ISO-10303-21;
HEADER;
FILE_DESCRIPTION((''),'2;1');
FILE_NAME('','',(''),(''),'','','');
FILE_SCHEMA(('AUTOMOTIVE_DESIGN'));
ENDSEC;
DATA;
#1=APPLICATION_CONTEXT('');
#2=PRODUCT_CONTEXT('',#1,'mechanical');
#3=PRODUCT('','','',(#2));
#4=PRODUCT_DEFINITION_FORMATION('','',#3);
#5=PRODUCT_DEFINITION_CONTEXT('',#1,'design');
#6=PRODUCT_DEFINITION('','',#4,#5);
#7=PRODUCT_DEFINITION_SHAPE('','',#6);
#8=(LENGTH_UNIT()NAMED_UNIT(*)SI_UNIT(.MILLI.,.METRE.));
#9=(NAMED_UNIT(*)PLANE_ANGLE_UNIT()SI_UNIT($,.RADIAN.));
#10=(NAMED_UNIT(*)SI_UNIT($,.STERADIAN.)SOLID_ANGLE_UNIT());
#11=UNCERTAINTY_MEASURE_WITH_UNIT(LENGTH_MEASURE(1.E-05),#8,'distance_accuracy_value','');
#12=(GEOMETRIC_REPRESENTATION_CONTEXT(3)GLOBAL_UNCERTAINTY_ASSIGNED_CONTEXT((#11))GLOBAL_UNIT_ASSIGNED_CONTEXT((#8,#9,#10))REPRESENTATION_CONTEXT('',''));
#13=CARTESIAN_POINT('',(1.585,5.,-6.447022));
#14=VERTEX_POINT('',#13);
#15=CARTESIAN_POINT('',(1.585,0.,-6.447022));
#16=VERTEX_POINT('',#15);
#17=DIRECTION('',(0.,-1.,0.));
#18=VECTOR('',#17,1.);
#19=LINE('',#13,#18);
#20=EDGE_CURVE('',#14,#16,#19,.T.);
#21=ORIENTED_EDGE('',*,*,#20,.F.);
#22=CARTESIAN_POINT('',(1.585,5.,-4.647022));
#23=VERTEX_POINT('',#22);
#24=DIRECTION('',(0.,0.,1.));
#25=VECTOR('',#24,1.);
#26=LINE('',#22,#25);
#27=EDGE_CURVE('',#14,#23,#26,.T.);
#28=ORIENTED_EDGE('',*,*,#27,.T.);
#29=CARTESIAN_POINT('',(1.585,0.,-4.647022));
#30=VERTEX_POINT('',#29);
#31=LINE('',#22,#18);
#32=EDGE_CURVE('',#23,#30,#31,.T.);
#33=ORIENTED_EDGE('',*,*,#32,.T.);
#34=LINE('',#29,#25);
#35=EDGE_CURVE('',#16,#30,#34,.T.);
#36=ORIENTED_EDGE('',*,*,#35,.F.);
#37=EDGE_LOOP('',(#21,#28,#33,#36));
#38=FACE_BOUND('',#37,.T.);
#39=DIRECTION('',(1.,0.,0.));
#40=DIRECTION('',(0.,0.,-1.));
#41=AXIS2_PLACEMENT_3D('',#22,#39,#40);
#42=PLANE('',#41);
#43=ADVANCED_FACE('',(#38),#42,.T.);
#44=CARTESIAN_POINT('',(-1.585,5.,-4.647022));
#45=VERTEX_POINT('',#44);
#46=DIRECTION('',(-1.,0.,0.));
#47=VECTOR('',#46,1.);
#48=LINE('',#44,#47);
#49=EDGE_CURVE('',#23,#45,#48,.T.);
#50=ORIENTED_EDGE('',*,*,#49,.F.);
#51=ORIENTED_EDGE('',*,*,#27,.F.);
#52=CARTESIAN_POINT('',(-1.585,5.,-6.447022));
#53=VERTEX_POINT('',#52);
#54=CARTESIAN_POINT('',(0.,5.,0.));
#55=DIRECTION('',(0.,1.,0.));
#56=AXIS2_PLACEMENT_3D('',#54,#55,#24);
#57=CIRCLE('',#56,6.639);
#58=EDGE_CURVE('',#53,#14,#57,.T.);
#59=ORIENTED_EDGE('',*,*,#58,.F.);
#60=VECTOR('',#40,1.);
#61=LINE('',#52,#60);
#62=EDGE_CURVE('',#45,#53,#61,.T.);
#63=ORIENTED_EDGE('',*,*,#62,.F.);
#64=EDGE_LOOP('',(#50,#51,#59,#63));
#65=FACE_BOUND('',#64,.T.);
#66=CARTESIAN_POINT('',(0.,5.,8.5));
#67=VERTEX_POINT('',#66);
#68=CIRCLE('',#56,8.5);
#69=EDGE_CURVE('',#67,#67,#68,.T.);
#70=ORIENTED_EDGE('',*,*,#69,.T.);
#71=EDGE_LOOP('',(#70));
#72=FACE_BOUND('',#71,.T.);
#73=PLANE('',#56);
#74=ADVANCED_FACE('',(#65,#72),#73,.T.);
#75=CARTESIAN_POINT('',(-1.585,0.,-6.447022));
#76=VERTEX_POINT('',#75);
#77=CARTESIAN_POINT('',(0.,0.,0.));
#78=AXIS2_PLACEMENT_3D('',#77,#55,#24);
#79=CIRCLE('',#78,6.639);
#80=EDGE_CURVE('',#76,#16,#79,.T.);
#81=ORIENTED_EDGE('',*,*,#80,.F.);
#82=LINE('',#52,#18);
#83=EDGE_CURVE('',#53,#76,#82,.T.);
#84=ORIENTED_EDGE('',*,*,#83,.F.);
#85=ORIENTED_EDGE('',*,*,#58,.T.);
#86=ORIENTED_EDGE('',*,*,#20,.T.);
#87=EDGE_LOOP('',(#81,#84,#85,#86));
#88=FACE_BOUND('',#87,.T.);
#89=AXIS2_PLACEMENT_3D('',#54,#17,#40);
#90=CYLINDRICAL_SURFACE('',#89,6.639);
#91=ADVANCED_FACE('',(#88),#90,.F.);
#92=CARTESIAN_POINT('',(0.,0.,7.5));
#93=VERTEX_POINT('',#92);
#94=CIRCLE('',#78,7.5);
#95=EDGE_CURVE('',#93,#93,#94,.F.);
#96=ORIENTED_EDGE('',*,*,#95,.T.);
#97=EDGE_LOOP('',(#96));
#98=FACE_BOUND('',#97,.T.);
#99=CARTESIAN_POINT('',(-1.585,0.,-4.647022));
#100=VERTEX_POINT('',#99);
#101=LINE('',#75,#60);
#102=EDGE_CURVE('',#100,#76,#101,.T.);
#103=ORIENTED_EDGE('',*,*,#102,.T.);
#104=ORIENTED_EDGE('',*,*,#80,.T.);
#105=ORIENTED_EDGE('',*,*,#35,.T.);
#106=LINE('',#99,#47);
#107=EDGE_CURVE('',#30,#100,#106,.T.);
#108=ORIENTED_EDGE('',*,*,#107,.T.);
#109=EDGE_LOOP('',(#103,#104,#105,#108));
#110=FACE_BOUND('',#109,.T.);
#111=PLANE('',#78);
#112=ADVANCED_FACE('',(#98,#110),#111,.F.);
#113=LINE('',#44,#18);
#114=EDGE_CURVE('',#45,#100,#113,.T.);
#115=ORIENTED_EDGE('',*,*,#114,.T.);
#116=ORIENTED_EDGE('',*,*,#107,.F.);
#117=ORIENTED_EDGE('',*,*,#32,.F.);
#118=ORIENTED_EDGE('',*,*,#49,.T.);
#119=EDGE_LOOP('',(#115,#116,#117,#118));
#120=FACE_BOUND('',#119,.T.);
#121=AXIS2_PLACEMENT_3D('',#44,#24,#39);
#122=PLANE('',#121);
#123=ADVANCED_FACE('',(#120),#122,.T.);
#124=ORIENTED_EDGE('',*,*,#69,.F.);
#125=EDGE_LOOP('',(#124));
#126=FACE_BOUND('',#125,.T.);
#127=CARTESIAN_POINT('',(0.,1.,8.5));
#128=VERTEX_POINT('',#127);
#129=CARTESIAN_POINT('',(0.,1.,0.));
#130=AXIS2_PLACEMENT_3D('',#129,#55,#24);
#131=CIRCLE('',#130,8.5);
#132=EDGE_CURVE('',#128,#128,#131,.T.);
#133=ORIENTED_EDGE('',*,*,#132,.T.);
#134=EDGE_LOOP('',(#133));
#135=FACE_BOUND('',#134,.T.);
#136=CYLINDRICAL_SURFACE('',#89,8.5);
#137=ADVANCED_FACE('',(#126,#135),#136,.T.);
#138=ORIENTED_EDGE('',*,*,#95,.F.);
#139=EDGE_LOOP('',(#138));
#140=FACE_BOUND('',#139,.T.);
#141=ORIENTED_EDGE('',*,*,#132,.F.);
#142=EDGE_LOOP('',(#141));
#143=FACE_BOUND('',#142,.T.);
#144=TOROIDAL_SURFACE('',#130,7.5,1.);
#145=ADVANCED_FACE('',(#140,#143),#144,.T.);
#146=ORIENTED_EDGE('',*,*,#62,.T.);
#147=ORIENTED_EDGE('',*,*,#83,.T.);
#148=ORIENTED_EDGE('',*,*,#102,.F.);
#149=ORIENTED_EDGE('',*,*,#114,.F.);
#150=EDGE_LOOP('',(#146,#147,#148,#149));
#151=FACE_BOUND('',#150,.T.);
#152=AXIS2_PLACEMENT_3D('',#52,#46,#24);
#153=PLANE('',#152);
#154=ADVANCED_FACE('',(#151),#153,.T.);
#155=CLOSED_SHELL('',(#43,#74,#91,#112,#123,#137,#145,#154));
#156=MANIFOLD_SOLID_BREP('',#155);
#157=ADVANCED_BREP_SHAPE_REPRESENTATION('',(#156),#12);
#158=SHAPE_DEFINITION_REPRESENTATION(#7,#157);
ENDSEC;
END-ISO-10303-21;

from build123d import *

# Parameters (mm, degrees)
SKETCH1_R           = 8.5
BOSS_EXTRUDE1_DEPTH = 5
FILLET3_R           = 1


with BuildPart() as part:
    # Sketch1 → Boss-Extrude1 (new body)
    with BuildSketch(Plane(origin=(0, 0, 0), x_dir=(1, 0, 0), z_dir=(0, 1, 0))):
        Circle(SKETCH1_R)
        with BuildLine():
            Line((-1.585, 6.447022258), (-1.585, 4.647022258))
            Line((-1.585, 4.647022258), (1.585, 4.647022258))
            Line((1.585, 4.647022258), (1.585, 6.447022258))
            ThreePointArc((1.585, 6.447022258), (0, -6.639), (-1.585, 6.447022258))
        make_face(mode=Mode.SUBTRACT)
    extrude(amount=BOSS_EXTRUDE1_DEPTH)

    # Fillet3
    fillet3_edges = [part.edges().sort_by_distance(p)[0] for p in [
        (-8.5, 0, 0),
    ]]
    fillet(fillet3_edges, radius=FILLET3_R)


solid = part.part
